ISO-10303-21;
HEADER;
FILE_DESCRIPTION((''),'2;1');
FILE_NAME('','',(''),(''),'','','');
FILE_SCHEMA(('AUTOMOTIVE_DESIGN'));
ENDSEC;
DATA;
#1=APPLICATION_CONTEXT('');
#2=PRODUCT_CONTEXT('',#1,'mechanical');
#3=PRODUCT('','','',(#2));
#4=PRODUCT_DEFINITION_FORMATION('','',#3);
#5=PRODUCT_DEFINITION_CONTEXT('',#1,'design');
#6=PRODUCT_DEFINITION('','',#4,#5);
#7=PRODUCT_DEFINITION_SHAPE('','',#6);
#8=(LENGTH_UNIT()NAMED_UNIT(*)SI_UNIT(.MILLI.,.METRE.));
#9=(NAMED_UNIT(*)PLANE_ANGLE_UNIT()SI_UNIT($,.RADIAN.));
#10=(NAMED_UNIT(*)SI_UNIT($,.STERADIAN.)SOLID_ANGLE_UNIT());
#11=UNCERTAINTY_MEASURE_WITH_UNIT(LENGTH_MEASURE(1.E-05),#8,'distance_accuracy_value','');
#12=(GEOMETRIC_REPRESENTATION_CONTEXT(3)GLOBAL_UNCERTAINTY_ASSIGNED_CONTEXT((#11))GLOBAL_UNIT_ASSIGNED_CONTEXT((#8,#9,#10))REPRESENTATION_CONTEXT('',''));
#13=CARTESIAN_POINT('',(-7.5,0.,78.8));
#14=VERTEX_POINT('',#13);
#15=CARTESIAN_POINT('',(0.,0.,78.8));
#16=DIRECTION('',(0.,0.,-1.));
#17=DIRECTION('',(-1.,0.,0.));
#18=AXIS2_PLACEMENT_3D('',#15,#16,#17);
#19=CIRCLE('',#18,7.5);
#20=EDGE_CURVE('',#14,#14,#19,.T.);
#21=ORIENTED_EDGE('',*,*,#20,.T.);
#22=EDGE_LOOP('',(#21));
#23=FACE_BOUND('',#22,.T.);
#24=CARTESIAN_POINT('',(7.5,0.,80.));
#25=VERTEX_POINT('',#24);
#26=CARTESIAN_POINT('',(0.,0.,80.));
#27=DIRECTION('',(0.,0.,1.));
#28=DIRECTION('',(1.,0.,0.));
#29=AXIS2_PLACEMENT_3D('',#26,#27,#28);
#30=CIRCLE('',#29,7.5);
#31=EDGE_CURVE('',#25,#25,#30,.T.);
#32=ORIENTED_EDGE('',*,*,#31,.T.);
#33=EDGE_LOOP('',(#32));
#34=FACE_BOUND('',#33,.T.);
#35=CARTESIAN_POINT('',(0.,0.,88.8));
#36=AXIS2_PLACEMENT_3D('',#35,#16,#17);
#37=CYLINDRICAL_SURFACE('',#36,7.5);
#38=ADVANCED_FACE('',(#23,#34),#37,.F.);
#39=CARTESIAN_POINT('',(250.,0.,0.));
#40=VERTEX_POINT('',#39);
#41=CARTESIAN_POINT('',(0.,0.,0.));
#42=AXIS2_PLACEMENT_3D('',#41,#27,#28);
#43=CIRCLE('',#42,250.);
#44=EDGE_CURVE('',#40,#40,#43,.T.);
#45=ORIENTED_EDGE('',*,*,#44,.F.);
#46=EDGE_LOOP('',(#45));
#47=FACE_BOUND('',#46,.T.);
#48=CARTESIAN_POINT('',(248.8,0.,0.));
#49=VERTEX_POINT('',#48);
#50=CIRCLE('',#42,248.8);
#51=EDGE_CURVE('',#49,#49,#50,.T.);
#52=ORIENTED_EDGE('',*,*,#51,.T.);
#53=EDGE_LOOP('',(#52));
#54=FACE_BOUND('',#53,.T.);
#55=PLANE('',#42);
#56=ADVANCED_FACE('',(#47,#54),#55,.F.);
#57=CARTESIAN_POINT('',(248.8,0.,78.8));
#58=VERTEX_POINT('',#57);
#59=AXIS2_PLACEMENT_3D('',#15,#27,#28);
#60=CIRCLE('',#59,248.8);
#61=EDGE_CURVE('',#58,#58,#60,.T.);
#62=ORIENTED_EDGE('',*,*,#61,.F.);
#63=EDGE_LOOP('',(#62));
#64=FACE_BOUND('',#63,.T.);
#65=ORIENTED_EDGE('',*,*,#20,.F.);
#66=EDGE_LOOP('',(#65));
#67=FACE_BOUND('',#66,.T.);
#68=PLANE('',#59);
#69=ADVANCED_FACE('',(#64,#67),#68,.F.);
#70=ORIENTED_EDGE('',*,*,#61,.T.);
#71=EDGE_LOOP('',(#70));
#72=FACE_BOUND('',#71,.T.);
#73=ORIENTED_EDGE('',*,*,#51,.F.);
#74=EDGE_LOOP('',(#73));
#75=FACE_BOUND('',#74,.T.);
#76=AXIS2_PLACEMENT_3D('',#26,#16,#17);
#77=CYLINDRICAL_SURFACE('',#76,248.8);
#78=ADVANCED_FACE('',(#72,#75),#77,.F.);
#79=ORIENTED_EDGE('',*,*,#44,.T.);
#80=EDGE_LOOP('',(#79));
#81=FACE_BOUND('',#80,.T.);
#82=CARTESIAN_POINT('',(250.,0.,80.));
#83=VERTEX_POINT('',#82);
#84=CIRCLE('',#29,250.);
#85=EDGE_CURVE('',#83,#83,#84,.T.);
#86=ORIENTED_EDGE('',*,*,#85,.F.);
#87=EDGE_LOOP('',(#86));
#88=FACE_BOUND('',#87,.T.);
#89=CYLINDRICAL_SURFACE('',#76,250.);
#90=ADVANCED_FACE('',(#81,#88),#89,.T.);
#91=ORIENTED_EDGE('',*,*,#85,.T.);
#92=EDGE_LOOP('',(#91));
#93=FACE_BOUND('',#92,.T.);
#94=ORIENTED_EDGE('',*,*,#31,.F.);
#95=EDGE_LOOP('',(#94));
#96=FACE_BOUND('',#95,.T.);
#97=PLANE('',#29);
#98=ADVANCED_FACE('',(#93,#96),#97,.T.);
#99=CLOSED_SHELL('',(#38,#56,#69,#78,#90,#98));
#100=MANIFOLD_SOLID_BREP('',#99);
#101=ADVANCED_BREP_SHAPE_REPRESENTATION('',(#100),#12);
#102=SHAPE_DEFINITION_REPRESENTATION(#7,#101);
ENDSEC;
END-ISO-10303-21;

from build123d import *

# Parameters (mm, degrees)
SKETCH1_R           = 250
BOSS_EXTRUDE1_DEPTH = 80
SHELL1_T            = -1.2
SKETCH2_R           = 7.5
CUT_EXTRUDE1_DEPTH  = 10


with BuildPart() as part:
    # Sketch1 → Boss-Extrude1 (new body)
    with BuildSketch(Plane.XY):
        Circle(SKETCH1_R)
    extrude(amount=BOSS_EXTRUDE1_DEPTH)

    # Shell1
    shell1_openings = [part.faces().sort_by_distance(p)[0] for p in [
        (0, 0, 0),
    ]]
    offset(amount=SHELL1_T, openings=shell1_openings, kind=Kind.INTERSECTION)

    # Sketch2 → Cut-Extrude1 (cut)
    with BuildSketch(Plane(origin=(0, 0, 78.8), x_dir=(-1, 0, 0), z_dir=(0, 0, -1))):
        Circle(SKETCH2_R)
    extrude(amount=-CUT_EXTRUDE1_DEPTH, mode=Mode.SUBTRACT)


solid = part.part
